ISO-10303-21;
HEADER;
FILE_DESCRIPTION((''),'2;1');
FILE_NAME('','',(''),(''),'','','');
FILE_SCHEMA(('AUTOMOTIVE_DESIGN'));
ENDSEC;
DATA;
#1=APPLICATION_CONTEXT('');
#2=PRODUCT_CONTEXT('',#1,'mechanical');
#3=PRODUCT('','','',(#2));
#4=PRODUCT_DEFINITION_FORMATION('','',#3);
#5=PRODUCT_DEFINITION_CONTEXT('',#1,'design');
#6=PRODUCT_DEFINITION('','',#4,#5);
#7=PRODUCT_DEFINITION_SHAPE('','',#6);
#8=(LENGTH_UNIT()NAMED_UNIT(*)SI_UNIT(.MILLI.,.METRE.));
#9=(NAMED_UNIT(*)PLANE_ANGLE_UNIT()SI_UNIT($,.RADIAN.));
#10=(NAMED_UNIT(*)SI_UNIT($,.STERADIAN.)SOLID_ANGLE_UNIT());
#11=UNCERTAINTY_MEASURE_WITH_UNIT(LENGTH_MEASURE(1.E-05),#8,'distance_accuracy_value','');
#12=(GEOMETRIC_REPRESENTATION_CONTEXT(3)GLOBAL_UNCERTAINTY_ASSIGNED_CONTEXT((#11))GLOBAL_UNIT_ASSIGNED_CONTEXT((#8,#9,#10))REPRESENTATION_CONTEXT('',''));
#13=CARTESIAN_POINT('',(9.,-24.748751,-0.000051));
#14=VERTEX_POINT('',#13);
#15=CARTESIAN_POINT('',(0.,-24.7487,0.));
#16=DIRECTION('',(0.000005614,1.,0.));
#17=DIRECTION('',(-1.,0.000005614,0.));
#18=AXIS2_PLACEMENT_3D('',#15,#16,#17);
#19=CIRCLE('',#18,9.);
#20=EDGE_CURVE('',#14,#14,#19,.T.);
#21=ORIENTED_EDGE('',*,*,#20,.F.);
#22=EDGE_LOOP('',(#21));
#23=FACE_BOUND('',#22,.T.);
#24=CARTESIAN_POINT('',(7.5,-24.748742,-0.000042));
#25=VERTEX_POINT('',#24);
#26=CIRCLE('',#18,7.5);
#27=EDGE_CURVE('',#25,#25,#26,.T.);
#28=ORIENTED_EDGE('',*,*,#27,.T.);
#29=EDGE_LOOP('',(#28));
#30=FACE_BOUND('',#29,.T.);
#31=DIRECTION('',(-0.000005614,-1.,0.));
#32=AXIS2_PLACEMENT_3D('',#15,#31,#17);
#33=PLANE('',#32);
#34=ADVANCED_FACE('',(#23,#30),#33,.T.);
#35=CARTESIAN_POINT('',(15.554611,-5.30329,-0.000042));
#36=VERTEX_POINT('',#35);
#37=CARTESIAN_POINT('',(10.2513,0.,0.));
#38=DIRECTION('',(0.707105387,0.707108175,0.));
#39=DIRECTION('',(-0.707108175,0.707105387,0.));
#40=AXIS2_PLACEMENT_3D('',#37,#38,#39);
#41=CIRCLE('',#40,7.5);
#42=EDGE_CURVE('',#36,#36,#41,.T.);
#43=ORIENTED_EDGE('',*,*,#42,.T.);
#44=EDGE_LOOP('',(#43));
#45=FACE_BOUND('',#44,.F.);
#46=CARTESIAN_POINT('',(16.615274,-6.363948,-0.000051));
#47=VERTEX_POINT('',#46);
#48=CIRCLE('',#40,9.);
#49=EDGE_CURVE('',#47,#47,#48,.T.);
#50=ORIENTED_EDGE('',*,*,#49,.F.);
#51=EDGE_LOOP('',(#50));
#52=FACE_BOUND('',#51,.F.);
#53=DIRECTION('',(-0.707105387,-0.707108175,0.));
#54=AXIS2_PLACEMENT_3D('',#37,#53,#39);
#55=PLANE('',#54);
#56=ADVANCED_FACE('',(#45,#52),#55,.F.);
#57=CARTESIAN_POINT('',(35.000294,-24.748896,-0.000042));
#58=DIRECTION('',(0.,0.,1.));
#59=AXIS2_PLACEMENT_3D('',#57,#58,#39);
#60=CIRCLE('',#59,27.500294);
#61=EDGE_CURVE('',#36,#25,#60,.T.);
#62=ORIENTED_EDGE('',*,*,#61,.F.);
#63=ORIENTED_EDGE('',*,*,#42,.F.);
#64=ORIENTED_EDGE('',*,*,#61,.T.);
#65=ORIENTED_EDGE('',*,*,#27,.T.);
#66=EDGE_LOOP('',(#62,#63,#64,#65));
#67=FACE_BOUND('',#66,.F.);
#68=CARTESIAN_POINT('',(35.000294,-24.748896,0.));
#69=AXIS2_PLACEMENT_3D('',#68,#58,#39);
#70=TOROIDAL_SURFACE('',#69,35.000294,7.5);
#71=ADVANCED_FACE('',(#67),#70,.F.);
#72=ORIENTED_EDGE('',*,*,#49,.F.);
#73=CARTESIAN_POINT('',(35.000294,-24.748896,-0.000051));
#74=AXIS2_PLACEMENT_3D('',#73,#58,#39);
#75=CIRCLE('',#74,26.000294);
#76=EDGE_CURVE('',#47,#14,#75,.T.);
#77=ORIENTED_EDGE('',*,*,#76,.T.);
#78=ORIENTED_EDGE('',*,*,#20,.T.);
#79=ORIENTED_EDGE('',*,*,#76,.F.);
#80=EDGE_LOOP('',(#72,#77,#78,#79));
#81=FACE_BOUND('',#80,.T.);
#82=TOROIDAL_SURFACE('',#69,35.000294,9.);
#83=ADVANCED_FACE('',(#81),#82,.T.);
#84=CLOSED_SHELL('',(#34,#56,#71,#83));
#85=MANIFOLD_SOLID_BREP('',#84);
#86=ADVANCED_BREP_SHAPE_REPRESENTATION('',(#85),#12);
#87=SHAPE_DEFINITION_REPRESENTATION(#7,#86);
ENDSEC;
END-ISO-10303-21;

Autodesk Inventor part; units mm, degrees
ref_plane "YZ Plane" through (0, 0, 0) normal (1, 0, 0) x (0, 1, 0)
ref_plane "XZ Plane" through (0, 0, 0) normal (0, 1, 0) x (-1, 0, 0)
sketch "Szkic6" plane through (0, 0, 0) normal (0, 0, 1) x (1, 0, 0)
  line L0 (-29.6067, 0) -> (35.2678, 0) construction
  line L1 (0, 42.3419) -> (0, -58.3726) construction
  arc A0 (10.2513, 0) -> (0, -24.7487) centre (35, -24.7487) ccw
  line L2 (0, -24.7487) -> (35, -24.7487) construction
  line L3 (35, -24.7487) -> (-11.3389, 21.5902) construction
  line L4 (10.2513, 0) -> (10.2513, 0)
  line L5 (0, -24.7487) -> (0, -24.7487)
  point P0 (0, 0)
  dimension "d24" = 35
  dimension "d31" = 45
  dimension "d36" = 0
  dimension "d37" = 0
ref_plane "Płaszczyzna konstrukcyjna2" through (0, -24.7487, 0) normal (0, -1, 0) x (1, 0, 0)
sketch "Szkic8" plane through (0, -24.7487, 0) normal (0, -1, 0) x (1, 0, 0)
  circle A0 centre (0, 0) radius 9
  circle A1 centre (0, 0) radius 7.5
  dimension "d32" = 18
  dimension "d33" = 1.5
sweep "Przeciągnięcie2" add profiles "Szkic8" path "Szkic6"
equation "\"d32\" = OD"
equation "\"d33\" = THK"
equation "\"d24\" = R"
equation "\"d31\" = KAT"
equation "\"SzerokośćGięciaPodcięcia\" = Grubość"
equation "\"RozmiarPodcięciaNarożnika\" = 4 * Grubość"
equation "\"PromieńPrzejścia\" = PromieńGięcia"
equation "\"Rozmiar_promienia_Jacobiego\" = PromieńGięcia"
equation "\"Wielk_odstępu\" = Grubość"
equation "\"d2\" = PromieńGięcia"
equation "\"d23\" = PromieńGięcia"
equation "\"R\" = 35"
equation "\"OD\" = 18"
equation "\"THK\" = 1.5"
equation "\"KAT\" = 45deg"
equation "\"PROSTKA\" = 0"
equation "\"Grubość\" = 1.5"
equation "\"PromieńGięcia\" = 3"
properties part number "Kolano 45° ø18x1,5 R35" material "304L"
